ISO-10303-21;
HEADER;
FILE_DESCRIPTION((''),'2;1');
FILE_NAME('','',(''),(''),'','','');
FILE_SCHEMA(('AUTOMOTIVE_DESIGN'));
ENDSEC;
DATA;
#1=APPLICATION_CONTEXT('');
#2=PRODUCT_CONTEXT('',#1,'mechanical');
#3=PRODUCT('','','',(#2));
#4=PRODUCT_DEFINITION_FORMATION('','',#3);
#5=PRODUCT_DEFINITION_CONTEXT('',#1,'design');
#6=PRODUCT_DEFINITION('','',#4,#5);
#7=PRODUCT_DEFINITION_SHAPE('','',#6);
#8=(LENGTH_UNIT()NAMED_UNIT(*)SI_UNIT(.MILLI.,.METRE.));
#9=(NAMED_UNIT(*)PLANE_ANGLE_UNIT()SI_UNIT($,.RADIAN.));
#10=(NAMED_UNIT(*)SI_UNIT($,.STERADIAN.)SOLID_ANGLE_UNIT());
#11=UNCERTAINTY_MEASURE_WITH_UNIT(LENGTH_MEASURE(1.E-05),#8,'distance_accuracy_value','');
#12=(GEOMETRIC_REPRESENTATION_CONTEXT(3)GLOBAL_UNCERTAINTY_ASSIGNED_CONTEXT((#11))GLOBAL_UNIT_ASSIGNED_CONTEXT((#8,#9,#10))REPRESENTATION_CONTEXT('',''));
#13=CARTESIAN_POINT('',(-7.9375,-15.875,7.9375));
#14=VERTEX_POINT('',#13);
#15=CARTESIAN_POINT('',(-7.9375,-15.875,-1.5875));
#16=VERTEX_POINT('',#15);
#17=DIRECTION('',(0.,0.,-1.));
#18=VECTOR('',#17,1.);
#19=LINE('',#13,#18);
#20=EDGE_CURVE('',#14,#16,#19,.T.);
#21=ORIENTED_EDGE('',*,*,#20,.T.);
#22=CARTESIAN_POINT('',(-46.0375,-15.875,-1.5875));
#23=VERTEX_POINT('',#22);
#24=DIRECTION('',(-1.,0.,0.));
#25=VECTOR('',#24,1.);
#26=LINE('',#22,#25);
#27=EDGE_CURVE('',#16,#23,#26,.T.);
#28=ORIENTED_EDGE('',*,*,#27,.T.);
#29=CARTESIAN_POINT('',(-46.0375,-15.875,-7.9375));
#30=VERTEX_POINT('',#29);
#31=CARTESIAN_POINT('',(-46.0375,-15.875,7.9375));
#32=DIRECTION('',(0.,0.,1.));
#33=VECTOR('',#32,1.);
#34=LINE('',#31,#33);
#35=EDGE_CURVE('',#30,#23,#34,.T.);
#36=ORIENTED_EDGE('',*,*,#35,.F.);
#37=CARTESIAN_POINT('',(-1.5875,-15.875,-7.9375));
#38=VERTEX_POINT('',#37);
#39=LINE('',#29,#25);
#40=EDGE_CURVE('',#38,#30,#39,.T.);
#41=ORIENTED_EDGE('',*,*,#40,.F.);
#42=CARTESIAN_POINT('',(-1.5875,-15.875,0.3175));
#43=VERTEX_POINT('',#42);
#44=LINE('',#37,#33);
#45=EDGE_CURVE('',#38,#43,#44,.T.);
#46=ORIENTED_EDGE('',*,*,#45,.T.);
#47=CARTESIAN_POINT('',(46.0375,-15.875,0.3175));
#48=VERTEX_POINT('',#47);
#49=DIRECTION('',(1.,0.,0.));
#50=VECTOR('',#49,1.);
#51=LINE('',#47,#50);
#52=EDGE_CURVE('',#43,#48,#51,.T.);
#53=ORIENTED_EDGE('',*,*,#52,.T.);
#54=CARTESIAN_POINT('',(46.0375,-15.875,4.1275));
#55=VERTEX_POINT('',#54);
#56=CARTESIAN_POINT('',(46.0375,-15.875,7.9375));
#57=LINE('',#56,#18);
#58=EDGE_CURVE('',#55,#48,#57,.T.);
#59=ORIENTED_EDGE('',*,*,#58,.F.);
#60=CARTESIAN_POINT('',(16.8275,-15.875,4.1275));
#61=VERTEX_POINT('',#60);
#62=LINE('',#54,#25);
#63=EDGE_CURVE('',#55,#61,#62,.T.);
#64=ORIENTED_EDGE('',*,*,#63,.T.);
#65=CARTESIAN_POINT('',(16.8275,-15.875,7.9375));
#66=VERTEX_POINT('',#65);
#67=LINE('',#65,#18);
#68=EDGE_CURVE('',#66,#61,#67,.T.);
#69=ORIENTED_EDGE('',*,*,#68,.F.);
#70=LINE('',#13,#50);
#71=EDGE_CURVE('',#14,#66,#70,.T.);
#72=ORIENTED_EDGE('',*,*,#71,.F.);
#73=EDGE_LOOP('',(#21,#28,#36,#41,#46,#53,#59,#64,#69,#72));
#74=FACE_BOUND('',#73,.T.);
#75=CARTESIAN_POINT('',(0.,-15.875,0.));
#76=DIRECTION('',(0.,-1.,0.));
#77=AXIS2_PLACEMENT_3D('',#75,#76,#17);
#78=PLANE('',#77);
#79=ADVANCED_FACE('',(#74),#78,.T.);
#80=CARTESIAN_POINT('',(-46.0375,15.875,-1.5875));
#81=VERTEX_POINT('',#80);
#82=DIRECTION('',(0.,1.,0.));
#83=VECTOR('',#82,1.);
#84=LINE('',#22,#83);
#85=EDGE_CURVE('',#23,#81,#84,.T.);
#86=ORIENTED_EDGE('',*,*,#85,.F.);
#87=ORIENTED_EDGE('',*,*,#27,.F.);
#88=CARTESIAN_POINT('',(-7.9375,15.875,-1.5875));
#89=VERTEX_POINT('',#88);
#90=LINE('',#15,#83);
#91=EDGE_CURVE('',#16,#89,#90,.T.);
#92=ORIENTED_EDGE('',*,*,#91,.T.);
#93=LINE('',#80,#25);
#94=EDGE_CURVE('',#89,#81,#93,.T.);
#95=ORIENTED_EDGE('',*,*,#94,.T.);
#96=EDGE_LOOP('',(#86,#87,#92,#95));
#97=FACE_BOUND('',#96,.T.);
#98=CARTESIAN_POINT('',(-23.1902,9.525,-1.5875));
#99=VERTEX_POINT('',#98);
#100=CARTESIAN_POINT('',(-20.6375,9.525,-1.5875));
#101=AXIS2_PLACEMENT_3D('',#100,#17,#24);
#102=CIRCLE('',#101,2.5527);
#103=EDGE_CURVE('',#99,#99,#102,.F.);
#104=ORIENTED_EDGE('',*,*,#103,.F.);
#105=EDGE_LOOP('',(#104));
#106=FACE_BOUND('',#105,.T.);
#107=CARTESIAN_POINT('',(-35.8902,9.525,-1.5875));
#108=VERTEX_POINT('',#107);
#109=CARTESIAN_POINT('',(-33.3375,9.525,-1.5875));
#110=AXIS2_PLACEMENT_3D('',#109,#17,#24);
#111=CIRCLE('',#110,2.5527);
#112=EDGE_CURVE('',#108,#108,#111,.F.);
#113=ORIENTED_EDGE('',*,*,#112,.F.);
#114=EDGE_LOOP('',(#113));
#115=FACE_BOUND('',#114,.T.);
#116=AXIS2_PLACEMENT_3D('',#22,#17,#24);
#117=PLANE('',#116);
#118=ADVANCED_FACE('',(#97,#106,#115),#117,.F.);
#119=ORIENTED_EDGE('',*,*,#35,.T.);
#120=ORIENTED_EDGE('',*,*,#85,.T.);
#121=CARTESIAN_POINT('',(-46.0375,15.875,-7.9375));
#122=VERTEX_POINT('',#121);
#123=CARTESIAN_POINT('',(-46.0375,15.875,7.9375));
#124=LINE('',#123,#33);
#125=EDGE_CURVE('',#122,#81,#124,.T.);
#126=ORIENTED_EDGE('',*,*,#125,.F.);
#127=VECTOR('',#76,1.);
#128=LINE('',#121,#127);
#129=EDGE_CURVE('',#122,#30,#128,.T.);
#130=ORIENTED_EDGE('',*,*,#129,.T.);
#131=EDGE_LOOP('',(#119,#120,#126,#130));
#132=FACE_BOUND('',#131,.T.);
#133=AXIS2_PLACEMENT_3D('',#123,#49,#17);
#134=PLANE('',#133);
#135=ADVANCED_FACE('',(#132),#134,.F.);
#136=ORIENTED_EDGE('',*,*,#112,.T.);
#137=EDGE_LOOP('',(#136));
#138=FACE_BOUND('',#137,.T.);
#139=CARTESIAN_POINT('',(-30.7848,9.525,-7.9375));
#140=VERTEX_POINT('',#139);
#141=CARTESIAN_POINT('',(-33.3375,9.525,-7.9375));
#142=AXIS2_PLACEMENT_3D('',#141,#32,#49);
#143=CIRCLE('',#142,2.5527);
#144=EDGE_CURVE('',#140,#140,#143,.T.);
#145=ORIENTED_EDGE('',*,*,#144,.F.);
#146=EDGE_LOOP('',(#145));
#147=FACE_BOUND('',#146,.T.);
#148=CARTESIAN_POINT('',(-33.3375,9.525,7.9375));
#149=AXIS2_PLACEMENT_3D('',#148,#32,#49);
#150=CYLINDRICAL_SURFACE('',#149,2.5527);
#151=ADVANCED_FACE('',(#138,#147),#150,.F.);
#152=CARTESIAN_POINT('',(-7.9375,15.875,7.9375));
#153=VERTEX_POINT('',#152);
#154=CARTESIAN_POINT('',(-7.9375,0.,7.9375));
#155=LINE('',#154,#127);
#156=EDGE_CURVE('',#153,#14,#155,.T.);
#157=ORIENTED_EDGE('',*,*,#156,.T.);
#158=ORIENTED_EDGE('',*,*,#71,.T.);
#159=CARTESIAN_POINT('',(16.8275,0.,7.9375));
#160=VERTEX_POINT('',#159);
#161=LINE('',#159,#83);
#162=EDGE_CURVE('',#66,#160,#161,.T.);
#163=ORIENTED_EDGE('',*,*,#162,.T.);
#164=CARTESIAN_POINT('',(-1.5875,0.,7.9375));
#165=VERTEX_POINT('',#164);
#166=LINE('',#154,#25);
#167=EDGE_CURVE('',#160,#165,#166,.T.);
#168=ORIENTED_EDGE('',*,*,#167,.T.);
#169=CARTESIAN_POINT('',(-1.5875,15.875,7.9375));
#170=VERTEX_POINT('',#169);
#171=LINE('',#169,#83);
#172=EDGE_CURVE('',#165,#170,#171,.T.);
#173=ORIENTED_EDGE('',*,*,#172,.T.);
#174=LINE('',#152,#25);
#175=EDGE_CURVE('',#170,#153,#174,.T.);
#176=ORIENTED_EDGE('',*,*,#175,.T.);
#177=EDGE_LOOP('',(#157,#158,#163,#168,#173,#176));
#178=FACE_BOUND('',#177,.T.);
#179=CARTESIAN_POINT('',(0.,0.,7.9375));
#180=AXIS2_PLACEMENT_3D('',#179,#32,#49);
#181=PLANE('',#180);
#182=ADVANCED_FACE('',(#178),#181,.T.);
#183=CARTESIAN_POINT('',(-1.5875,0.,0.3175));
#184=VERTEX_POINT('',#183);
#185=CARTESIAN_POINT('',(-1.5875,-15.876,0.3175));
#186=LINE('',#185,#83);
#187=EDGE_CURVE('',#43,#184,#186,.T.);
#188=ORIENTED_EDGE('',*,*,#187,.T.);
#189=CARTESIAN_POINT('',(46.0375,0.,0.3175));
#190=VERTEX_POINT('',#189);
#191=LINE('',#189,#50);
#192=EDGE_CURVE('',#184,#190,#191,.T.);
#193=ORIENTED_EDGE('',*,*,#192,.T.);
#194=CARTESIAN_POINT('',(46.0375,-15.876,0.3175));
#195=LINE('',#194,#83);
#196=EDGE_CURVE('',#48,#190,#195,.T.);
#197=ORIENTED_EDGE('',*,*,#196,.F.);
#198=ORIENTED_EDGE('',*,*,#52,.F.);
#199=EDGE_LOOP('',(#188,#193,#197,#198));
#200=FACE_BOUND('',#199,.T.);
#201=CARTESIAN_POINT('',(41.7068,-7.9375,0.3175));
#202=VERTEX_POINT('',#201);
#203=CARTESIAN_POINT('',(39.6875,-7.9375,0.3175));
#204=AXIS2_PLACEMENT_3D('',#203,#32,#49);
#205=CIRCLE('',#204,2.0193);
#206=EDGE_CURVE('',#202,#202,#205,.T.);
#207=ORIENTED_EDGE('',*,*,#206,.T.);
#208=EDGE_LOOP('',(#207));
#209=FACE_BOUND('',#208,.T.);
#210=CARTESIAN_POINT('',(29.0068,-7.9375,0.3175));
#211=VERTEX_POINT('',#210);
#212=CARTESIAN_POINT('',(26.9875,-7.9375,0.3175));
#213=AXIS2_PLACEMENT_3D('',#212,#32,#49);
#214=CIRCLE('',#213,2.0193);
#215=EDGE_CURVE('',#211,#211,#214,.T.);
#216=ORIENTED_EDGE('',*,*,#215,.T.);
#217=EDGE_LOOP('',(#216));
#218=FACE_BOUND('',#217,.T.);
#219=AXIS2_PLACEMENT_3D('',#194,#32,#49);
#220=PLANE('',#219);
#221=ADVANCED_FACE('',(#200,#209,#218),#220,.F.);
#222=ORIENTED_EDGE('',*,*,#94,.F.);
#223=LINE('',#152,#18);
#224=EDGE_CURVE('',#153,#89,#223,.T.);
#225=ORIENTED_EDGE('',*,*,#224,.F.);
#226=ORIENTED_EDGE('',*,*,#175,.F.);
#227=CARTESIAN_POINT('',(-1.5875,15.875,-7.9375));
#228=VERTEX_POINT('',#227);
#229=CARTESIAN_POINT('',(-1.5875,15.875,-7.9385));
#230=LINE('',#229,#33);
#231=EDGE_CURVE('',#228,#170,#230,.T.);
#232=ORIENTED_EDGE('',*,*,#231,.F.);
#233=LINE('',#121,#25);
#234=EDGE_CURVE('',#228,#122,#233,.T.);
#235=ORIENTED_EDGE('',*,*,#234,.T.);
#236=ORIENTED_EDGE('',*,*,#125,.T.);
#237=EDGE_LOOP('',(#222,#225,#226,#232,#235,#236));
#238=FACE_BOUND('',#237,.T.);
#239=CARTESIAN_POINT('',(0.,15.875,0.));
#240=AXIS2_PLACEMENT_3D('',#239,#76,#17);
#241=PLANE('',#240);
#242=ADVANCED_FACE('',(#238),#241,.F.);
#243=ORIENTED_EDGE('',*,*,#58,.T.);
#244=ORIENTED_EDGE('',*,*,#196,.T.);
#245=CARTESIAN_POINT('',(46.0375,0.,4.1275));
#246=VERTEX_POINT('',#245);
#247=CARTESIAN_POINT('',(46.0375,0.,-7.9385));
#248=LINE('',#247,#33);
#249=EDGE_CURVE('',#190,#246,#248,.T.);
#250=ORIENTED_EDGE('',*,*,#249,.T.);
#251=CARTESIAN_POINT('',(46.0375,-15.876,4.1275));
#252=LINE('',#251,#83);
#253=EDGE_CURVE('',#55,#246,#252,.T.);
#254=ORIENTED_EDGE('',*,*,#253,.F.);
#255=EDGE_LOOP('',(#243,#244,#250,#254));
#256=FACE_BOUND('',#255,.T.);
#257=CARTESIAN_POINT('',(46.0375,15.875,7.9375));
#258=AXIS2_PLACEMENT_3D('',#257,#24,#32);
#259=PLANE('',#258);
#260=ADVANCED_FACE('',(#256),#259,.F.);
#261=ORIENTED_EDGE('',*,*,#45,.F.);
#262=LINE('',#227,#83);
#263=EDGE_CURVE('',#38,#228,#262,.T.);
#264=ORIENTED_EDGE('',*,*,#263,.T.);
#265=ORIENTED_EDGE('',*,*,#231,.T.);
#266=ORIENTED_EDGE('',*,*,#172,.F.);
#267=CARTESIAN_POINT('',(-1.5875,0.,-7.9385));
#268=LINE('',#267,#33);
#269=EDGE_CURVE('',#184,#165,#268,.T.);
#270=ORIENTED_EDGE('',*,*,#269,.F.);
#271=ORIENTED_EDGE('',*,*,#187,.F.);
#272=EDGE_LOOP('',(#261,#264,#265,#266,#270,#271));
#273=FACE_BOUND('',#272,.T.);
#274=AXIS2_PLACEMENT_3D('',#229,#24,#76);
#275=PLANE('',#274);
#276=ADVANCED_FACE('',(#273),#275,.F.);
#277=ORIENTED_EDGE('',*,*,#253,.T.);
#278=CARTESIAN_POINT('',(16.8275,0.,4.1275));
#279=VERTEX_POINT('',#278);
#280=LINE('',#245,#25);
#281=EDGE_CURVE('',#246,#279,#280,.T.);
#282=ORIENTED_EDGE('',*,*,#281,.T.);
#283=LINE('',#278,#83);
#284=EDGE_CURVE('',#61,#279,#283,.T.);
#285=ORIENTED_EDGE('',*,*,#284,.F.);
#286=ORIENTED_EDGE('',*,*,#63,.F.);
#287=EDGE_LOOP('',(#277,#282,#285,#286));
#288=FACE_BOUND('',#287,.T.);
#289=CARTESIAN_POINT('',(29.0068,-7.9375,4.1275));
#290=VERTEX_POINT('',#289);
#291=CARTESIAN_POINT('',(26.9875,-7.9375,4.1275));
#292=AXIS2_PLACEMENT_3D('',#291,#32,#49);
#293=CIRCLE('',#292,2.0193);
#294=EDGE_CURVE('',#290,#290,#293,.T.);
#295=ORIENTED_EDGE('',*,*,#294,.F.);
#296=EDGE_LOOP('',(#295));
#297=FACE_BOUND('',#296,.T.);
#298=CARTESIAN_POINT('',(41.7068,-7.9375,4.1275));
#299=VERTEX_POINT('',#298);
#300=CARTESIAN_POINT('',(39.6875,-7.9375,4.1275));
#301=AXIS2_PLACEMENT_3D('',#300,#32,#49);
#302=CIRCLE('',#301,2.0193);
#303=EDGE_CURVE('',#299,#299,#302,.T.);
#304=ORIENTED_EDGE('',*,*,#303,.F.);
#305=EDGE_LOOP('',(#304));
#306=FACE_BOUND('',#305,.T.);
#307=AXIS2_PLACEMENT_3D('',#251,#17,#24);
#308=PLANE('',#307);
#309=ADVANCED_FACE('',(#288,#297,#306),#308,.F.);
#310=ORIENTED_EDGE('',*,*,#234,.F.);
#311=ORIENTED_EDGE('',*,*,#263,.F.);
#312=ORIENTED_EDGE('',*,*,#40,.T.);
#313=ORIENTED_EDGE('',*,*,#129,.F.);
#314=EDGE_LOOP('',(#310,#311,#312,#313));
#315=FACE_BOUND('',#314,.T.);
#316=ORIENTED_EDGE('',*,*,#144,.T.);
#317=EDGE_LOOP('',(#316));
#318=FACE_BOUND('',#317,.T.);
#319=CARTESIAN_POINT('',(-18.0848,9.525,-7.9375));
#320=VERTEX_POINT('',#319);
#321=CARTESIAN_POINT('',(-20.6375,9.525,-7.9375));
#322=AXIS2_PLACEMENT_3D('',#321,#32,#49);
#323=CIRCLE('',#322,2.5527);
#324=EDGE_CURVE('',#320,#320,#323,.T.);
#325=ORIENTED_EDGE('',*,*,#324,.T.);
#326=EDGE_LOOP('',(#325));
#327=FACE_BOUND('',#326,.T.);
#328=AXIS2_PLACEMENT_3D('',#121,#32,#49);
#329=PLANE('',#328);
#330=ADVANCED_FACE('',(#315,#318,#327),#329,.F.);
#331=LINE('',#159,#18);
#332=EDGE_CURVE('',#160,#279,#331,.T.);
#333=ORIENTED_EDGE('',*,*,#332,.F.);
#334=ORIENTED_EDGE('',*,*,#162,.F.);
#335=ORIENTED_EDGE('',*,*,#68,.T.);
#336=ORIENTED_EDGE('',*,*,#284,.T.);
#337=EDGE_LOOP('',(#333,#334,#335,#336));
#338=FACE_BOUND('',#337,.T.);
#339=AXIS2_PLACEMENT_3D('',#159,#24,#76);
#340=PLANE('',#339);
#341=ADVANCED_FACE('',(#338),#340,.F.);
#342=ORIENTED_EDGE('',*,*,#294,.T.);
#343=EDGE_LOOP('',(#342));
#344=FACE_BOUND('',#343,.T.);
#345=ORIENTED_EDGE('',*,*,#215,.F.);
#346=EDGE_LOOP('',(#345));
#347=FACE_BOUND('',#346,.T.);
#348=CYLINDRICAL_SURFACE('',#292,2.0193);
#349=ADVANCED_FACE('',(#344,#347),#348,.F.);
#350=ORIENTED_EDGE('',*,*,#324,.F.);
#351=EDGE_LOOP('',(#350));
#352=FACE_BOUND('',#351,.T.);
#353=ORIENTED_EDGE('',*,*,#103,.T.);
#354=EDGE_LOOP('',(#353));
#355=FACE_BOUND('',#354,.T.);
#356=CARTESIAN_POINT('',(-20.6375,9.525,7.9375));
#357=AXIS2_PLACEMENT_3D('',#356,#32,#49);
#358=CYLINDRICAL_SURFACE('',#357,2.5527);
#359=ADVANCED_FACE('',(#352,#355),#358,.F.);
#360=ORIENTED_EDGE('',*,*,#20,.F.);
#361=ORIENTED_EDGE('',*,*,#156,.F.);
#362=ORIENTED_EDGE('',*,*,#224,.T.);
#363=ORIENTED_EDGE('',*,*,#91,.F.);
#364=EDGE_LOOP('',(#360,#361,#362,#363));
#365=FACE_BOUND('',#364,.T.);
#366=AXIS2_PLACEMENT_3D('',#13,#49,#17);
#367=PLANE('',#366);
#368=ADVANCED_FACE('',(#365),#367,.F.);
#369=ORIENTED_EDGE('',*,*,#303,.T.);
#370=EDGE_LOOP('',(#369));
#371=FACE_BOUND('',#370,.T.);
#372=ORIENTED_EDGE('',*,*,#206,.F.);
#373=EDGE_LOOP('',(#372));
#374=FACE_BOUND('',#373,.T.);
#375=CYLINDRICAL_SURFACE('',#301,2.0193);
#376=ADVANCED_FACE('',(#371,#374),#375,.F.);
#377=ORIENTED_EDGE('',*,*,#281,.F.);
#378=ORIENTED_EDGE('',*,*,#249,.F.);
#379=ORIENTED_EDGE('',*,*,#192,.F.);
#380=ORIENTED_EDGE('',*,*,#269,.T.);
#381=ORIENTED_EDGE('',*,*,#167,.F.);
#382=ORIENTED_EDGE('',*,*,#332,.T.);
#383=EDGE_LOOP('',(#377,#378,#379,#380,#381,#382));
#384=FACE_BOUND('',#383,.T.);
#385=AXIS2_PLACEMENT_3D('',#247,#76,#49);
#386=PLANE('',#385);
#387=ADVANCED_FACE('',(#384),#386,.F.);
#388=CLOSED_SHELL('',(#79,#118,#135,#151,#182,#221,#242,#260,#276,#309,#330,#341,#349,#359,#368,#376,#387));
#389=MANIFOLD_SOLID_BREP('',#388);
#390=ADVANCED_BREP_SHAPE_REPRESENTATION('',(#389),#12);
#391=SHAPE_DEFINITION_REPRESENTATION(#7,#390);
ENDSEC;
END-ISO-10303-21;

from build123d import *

# Parameters (mm, degrees)
SKETCH1_W                    = 92.075
SKETCH1_H                    = 15.875
BOSS_EXTRUDE1_DEPTH          = 15.875
CUT_EXTRUDE1_REACH           = 53.22
SKETCH2_W                    = 47.625
SKETCH2_H                    = 15.875
F_10_0_1935_DIAMETER_HOLE1_D = 5.1054
CUT_EXTRUDE2_REACH           = 51.34
SKETCH5_W                    = 47.625
SKETCH5_H                    = 8.255
CUT_EXTRUDE3_REACH           = 51.34
SKETCH6_W                    = 47.625
SKETCH6_H                    = 3.81
SKETCH7_W                    = 38.1
SKETCH7_H                    = 9.525
CUT_EXTRUDE4_DEPTH           = 57.484668827
SKETCH8_W                    = 6.35
SKETCH8_H                    = 3.81
CUT_EXTRUDE5_DEPTH           = 57.484668827
F_10_32_TAPPED_HOLE1_D       = 4.0386
SKETCH11_W                   = 24.765
SKETCH11_H                   = 15.875
BOSS_EXTRUDE2_DEPTH          = 3.81
SKETCH12_W                   = 6.35
SKETCH12_H                   = 15.875
BOSS_EXTRUDE3_DEPTH          = 3.81


with BuildPart() as part:
    # Sketch1 → Boss-Extrude1 (new, symmetric)
    with BuildSketch(Plane(origin=(0, 0, 0), x_dir=(1, 0, 0), z_dir=(0, 1, 0))):
        Rectangle(SKETCH1_W, SKETCH1_H)
    extrude(amount=BOSS_EXTRUDE1_DEPTH, both=True)

    # Sketch2 → Cut-Extrude1 (cut, up to next)
    with BuildSketch(Plane.XY.offset(7.9375), mode=Mode.PRIVATE) as cut_extrude1_sk1:
        with Locations((22.225, 7.9375)):
            Rectangle(SKETCH2_W, SKETCH2_H)
    cut_extrude1_tool1 = extrude(cut_extrude1_sk1.sketch, amount=-CUT_EXTRUDE1_REACH, mode=Mode.PRIVATE) & part.part
    add(cut_extrude1_tool1.solids().sort_by_distance((22.225, 7.9375, 7.9375))[0], mode=Mode.SUBTRACT)

    # #10 (0.1935) Diameter Hole1 (through all)
    with Locations(Plane.XY.offset(7.9375)):
        with Locations((-33.3375, 9.525), (-20.6375, 9.525)):
            Hole(F_10_0_1935_DIAMETER_HOLE1_D / 2)

    # Sketch5 → Cut-Extrude2 (cut, up to next)
    with BuildSketch(Plane(origin=(0, 0, 0), x_dir=(1, 0, 0), z_dir=(0, 1, 0)), mode=Mode.PRIVATE) as cut_extrude2_sk1:
        with Locations((22.225, 3.81)):
            Rectangle(SKETCH5_W, SKETCH5_H)
    cut_extrude2_tool1 = extrude(cut_extrude2_sk1.sketch, amount=-CUT_EXTRUDE2_REACH, mode=Mode.PRIVATE) & part.part
    add(cut_extrude2_tool1.solids().sort_by_distance((22.225, 0, -3.81))[0], mode=Mode.SUBTRACT)

    # Sketch6 → Cut-Extrude3 (cut, up to next)
    with BuildSketch(Plane(origin=(0, 0, 0), x_dir=(1, 0, 0), z_dir=(0, 1, 0)), mode=Mode.PRIVATE) as cut_extrude3_sk1:
        with Locations((22.225, -6.0325)):
            Rectangle(SKETCH6_W, SKETCH6_H)
    cut_extrude3_tool1 = extrude(cut_extrude3_sk1.sketch, amount=-CUT_EXTRUDE3_REACH, mode=Mode.PRIVATE) & part.part
    add(cut_extrude3_tool1.solids().sort_by_distance((22.225, 0, 6.0325))[0], mode=Mode.SUBTRACT)

    # Sketch7 → Cut-Extrude4 (cut, through all)
    with BuildSketch(Plane(origin=(0, 15.875, 0), x_dir=(1, 0, 0), z_dir=(0, 1, 0))):
        with Locations((-26.9875, -3.175)):
            Rectangle(SKETCH7_W, SKETCH7_H)
    extrude(amount=-CUT_EXTRUDE4_DEPTH, mode=Mode.SUBTRACT)

    # Sketch8 → Cut-Extrude5 (cut, through all)
    with BuildSketch(Plane(origin=(0, 15.875, 0), x_dir=(1, 0, 0), z_dir=(0, 1, 0))):
        with Locations((-4.7625, -6.0325)):
            Rectangle(SKETCH8_W, SKETCH8_H)
    extrude(amount=-CUT_EXTRUDE5_DEPTH, mode=Mode.SUBTRACT)

    # #10-32 Tapped Hole1 (through all)
    with Locations(Plane.XY.offset(4.1275)):
        with Locations((39.6875, -7.9375), (26.9875, -7.9375)):
            Hole(F_10_32_TAPPED_HOLE1_D / 2)

    # Sketch11 → Boss-Extrude2 (add)
    with BuildSketch(Plane.XY.offset(4.1275)):
        with Locations((4.445, -7.9375)):
            Rectangle(SKETCH11_W, SKETCH11_H)
    extrude(amount=BOSS_EXTRUDE2_DEPTH)

    # Sketch12 → Boss-Extrude3 (add)
    with BuildSketch(Plane.XY.offset(4.1275)):
        with Locations((-4.7625, 7.9375)):
            Rectangle(SKETCH12_W, SKETCH12_H)
    extrude(amount=BOSS_EXTRUDE3_DEPTH)


solid = part.part
